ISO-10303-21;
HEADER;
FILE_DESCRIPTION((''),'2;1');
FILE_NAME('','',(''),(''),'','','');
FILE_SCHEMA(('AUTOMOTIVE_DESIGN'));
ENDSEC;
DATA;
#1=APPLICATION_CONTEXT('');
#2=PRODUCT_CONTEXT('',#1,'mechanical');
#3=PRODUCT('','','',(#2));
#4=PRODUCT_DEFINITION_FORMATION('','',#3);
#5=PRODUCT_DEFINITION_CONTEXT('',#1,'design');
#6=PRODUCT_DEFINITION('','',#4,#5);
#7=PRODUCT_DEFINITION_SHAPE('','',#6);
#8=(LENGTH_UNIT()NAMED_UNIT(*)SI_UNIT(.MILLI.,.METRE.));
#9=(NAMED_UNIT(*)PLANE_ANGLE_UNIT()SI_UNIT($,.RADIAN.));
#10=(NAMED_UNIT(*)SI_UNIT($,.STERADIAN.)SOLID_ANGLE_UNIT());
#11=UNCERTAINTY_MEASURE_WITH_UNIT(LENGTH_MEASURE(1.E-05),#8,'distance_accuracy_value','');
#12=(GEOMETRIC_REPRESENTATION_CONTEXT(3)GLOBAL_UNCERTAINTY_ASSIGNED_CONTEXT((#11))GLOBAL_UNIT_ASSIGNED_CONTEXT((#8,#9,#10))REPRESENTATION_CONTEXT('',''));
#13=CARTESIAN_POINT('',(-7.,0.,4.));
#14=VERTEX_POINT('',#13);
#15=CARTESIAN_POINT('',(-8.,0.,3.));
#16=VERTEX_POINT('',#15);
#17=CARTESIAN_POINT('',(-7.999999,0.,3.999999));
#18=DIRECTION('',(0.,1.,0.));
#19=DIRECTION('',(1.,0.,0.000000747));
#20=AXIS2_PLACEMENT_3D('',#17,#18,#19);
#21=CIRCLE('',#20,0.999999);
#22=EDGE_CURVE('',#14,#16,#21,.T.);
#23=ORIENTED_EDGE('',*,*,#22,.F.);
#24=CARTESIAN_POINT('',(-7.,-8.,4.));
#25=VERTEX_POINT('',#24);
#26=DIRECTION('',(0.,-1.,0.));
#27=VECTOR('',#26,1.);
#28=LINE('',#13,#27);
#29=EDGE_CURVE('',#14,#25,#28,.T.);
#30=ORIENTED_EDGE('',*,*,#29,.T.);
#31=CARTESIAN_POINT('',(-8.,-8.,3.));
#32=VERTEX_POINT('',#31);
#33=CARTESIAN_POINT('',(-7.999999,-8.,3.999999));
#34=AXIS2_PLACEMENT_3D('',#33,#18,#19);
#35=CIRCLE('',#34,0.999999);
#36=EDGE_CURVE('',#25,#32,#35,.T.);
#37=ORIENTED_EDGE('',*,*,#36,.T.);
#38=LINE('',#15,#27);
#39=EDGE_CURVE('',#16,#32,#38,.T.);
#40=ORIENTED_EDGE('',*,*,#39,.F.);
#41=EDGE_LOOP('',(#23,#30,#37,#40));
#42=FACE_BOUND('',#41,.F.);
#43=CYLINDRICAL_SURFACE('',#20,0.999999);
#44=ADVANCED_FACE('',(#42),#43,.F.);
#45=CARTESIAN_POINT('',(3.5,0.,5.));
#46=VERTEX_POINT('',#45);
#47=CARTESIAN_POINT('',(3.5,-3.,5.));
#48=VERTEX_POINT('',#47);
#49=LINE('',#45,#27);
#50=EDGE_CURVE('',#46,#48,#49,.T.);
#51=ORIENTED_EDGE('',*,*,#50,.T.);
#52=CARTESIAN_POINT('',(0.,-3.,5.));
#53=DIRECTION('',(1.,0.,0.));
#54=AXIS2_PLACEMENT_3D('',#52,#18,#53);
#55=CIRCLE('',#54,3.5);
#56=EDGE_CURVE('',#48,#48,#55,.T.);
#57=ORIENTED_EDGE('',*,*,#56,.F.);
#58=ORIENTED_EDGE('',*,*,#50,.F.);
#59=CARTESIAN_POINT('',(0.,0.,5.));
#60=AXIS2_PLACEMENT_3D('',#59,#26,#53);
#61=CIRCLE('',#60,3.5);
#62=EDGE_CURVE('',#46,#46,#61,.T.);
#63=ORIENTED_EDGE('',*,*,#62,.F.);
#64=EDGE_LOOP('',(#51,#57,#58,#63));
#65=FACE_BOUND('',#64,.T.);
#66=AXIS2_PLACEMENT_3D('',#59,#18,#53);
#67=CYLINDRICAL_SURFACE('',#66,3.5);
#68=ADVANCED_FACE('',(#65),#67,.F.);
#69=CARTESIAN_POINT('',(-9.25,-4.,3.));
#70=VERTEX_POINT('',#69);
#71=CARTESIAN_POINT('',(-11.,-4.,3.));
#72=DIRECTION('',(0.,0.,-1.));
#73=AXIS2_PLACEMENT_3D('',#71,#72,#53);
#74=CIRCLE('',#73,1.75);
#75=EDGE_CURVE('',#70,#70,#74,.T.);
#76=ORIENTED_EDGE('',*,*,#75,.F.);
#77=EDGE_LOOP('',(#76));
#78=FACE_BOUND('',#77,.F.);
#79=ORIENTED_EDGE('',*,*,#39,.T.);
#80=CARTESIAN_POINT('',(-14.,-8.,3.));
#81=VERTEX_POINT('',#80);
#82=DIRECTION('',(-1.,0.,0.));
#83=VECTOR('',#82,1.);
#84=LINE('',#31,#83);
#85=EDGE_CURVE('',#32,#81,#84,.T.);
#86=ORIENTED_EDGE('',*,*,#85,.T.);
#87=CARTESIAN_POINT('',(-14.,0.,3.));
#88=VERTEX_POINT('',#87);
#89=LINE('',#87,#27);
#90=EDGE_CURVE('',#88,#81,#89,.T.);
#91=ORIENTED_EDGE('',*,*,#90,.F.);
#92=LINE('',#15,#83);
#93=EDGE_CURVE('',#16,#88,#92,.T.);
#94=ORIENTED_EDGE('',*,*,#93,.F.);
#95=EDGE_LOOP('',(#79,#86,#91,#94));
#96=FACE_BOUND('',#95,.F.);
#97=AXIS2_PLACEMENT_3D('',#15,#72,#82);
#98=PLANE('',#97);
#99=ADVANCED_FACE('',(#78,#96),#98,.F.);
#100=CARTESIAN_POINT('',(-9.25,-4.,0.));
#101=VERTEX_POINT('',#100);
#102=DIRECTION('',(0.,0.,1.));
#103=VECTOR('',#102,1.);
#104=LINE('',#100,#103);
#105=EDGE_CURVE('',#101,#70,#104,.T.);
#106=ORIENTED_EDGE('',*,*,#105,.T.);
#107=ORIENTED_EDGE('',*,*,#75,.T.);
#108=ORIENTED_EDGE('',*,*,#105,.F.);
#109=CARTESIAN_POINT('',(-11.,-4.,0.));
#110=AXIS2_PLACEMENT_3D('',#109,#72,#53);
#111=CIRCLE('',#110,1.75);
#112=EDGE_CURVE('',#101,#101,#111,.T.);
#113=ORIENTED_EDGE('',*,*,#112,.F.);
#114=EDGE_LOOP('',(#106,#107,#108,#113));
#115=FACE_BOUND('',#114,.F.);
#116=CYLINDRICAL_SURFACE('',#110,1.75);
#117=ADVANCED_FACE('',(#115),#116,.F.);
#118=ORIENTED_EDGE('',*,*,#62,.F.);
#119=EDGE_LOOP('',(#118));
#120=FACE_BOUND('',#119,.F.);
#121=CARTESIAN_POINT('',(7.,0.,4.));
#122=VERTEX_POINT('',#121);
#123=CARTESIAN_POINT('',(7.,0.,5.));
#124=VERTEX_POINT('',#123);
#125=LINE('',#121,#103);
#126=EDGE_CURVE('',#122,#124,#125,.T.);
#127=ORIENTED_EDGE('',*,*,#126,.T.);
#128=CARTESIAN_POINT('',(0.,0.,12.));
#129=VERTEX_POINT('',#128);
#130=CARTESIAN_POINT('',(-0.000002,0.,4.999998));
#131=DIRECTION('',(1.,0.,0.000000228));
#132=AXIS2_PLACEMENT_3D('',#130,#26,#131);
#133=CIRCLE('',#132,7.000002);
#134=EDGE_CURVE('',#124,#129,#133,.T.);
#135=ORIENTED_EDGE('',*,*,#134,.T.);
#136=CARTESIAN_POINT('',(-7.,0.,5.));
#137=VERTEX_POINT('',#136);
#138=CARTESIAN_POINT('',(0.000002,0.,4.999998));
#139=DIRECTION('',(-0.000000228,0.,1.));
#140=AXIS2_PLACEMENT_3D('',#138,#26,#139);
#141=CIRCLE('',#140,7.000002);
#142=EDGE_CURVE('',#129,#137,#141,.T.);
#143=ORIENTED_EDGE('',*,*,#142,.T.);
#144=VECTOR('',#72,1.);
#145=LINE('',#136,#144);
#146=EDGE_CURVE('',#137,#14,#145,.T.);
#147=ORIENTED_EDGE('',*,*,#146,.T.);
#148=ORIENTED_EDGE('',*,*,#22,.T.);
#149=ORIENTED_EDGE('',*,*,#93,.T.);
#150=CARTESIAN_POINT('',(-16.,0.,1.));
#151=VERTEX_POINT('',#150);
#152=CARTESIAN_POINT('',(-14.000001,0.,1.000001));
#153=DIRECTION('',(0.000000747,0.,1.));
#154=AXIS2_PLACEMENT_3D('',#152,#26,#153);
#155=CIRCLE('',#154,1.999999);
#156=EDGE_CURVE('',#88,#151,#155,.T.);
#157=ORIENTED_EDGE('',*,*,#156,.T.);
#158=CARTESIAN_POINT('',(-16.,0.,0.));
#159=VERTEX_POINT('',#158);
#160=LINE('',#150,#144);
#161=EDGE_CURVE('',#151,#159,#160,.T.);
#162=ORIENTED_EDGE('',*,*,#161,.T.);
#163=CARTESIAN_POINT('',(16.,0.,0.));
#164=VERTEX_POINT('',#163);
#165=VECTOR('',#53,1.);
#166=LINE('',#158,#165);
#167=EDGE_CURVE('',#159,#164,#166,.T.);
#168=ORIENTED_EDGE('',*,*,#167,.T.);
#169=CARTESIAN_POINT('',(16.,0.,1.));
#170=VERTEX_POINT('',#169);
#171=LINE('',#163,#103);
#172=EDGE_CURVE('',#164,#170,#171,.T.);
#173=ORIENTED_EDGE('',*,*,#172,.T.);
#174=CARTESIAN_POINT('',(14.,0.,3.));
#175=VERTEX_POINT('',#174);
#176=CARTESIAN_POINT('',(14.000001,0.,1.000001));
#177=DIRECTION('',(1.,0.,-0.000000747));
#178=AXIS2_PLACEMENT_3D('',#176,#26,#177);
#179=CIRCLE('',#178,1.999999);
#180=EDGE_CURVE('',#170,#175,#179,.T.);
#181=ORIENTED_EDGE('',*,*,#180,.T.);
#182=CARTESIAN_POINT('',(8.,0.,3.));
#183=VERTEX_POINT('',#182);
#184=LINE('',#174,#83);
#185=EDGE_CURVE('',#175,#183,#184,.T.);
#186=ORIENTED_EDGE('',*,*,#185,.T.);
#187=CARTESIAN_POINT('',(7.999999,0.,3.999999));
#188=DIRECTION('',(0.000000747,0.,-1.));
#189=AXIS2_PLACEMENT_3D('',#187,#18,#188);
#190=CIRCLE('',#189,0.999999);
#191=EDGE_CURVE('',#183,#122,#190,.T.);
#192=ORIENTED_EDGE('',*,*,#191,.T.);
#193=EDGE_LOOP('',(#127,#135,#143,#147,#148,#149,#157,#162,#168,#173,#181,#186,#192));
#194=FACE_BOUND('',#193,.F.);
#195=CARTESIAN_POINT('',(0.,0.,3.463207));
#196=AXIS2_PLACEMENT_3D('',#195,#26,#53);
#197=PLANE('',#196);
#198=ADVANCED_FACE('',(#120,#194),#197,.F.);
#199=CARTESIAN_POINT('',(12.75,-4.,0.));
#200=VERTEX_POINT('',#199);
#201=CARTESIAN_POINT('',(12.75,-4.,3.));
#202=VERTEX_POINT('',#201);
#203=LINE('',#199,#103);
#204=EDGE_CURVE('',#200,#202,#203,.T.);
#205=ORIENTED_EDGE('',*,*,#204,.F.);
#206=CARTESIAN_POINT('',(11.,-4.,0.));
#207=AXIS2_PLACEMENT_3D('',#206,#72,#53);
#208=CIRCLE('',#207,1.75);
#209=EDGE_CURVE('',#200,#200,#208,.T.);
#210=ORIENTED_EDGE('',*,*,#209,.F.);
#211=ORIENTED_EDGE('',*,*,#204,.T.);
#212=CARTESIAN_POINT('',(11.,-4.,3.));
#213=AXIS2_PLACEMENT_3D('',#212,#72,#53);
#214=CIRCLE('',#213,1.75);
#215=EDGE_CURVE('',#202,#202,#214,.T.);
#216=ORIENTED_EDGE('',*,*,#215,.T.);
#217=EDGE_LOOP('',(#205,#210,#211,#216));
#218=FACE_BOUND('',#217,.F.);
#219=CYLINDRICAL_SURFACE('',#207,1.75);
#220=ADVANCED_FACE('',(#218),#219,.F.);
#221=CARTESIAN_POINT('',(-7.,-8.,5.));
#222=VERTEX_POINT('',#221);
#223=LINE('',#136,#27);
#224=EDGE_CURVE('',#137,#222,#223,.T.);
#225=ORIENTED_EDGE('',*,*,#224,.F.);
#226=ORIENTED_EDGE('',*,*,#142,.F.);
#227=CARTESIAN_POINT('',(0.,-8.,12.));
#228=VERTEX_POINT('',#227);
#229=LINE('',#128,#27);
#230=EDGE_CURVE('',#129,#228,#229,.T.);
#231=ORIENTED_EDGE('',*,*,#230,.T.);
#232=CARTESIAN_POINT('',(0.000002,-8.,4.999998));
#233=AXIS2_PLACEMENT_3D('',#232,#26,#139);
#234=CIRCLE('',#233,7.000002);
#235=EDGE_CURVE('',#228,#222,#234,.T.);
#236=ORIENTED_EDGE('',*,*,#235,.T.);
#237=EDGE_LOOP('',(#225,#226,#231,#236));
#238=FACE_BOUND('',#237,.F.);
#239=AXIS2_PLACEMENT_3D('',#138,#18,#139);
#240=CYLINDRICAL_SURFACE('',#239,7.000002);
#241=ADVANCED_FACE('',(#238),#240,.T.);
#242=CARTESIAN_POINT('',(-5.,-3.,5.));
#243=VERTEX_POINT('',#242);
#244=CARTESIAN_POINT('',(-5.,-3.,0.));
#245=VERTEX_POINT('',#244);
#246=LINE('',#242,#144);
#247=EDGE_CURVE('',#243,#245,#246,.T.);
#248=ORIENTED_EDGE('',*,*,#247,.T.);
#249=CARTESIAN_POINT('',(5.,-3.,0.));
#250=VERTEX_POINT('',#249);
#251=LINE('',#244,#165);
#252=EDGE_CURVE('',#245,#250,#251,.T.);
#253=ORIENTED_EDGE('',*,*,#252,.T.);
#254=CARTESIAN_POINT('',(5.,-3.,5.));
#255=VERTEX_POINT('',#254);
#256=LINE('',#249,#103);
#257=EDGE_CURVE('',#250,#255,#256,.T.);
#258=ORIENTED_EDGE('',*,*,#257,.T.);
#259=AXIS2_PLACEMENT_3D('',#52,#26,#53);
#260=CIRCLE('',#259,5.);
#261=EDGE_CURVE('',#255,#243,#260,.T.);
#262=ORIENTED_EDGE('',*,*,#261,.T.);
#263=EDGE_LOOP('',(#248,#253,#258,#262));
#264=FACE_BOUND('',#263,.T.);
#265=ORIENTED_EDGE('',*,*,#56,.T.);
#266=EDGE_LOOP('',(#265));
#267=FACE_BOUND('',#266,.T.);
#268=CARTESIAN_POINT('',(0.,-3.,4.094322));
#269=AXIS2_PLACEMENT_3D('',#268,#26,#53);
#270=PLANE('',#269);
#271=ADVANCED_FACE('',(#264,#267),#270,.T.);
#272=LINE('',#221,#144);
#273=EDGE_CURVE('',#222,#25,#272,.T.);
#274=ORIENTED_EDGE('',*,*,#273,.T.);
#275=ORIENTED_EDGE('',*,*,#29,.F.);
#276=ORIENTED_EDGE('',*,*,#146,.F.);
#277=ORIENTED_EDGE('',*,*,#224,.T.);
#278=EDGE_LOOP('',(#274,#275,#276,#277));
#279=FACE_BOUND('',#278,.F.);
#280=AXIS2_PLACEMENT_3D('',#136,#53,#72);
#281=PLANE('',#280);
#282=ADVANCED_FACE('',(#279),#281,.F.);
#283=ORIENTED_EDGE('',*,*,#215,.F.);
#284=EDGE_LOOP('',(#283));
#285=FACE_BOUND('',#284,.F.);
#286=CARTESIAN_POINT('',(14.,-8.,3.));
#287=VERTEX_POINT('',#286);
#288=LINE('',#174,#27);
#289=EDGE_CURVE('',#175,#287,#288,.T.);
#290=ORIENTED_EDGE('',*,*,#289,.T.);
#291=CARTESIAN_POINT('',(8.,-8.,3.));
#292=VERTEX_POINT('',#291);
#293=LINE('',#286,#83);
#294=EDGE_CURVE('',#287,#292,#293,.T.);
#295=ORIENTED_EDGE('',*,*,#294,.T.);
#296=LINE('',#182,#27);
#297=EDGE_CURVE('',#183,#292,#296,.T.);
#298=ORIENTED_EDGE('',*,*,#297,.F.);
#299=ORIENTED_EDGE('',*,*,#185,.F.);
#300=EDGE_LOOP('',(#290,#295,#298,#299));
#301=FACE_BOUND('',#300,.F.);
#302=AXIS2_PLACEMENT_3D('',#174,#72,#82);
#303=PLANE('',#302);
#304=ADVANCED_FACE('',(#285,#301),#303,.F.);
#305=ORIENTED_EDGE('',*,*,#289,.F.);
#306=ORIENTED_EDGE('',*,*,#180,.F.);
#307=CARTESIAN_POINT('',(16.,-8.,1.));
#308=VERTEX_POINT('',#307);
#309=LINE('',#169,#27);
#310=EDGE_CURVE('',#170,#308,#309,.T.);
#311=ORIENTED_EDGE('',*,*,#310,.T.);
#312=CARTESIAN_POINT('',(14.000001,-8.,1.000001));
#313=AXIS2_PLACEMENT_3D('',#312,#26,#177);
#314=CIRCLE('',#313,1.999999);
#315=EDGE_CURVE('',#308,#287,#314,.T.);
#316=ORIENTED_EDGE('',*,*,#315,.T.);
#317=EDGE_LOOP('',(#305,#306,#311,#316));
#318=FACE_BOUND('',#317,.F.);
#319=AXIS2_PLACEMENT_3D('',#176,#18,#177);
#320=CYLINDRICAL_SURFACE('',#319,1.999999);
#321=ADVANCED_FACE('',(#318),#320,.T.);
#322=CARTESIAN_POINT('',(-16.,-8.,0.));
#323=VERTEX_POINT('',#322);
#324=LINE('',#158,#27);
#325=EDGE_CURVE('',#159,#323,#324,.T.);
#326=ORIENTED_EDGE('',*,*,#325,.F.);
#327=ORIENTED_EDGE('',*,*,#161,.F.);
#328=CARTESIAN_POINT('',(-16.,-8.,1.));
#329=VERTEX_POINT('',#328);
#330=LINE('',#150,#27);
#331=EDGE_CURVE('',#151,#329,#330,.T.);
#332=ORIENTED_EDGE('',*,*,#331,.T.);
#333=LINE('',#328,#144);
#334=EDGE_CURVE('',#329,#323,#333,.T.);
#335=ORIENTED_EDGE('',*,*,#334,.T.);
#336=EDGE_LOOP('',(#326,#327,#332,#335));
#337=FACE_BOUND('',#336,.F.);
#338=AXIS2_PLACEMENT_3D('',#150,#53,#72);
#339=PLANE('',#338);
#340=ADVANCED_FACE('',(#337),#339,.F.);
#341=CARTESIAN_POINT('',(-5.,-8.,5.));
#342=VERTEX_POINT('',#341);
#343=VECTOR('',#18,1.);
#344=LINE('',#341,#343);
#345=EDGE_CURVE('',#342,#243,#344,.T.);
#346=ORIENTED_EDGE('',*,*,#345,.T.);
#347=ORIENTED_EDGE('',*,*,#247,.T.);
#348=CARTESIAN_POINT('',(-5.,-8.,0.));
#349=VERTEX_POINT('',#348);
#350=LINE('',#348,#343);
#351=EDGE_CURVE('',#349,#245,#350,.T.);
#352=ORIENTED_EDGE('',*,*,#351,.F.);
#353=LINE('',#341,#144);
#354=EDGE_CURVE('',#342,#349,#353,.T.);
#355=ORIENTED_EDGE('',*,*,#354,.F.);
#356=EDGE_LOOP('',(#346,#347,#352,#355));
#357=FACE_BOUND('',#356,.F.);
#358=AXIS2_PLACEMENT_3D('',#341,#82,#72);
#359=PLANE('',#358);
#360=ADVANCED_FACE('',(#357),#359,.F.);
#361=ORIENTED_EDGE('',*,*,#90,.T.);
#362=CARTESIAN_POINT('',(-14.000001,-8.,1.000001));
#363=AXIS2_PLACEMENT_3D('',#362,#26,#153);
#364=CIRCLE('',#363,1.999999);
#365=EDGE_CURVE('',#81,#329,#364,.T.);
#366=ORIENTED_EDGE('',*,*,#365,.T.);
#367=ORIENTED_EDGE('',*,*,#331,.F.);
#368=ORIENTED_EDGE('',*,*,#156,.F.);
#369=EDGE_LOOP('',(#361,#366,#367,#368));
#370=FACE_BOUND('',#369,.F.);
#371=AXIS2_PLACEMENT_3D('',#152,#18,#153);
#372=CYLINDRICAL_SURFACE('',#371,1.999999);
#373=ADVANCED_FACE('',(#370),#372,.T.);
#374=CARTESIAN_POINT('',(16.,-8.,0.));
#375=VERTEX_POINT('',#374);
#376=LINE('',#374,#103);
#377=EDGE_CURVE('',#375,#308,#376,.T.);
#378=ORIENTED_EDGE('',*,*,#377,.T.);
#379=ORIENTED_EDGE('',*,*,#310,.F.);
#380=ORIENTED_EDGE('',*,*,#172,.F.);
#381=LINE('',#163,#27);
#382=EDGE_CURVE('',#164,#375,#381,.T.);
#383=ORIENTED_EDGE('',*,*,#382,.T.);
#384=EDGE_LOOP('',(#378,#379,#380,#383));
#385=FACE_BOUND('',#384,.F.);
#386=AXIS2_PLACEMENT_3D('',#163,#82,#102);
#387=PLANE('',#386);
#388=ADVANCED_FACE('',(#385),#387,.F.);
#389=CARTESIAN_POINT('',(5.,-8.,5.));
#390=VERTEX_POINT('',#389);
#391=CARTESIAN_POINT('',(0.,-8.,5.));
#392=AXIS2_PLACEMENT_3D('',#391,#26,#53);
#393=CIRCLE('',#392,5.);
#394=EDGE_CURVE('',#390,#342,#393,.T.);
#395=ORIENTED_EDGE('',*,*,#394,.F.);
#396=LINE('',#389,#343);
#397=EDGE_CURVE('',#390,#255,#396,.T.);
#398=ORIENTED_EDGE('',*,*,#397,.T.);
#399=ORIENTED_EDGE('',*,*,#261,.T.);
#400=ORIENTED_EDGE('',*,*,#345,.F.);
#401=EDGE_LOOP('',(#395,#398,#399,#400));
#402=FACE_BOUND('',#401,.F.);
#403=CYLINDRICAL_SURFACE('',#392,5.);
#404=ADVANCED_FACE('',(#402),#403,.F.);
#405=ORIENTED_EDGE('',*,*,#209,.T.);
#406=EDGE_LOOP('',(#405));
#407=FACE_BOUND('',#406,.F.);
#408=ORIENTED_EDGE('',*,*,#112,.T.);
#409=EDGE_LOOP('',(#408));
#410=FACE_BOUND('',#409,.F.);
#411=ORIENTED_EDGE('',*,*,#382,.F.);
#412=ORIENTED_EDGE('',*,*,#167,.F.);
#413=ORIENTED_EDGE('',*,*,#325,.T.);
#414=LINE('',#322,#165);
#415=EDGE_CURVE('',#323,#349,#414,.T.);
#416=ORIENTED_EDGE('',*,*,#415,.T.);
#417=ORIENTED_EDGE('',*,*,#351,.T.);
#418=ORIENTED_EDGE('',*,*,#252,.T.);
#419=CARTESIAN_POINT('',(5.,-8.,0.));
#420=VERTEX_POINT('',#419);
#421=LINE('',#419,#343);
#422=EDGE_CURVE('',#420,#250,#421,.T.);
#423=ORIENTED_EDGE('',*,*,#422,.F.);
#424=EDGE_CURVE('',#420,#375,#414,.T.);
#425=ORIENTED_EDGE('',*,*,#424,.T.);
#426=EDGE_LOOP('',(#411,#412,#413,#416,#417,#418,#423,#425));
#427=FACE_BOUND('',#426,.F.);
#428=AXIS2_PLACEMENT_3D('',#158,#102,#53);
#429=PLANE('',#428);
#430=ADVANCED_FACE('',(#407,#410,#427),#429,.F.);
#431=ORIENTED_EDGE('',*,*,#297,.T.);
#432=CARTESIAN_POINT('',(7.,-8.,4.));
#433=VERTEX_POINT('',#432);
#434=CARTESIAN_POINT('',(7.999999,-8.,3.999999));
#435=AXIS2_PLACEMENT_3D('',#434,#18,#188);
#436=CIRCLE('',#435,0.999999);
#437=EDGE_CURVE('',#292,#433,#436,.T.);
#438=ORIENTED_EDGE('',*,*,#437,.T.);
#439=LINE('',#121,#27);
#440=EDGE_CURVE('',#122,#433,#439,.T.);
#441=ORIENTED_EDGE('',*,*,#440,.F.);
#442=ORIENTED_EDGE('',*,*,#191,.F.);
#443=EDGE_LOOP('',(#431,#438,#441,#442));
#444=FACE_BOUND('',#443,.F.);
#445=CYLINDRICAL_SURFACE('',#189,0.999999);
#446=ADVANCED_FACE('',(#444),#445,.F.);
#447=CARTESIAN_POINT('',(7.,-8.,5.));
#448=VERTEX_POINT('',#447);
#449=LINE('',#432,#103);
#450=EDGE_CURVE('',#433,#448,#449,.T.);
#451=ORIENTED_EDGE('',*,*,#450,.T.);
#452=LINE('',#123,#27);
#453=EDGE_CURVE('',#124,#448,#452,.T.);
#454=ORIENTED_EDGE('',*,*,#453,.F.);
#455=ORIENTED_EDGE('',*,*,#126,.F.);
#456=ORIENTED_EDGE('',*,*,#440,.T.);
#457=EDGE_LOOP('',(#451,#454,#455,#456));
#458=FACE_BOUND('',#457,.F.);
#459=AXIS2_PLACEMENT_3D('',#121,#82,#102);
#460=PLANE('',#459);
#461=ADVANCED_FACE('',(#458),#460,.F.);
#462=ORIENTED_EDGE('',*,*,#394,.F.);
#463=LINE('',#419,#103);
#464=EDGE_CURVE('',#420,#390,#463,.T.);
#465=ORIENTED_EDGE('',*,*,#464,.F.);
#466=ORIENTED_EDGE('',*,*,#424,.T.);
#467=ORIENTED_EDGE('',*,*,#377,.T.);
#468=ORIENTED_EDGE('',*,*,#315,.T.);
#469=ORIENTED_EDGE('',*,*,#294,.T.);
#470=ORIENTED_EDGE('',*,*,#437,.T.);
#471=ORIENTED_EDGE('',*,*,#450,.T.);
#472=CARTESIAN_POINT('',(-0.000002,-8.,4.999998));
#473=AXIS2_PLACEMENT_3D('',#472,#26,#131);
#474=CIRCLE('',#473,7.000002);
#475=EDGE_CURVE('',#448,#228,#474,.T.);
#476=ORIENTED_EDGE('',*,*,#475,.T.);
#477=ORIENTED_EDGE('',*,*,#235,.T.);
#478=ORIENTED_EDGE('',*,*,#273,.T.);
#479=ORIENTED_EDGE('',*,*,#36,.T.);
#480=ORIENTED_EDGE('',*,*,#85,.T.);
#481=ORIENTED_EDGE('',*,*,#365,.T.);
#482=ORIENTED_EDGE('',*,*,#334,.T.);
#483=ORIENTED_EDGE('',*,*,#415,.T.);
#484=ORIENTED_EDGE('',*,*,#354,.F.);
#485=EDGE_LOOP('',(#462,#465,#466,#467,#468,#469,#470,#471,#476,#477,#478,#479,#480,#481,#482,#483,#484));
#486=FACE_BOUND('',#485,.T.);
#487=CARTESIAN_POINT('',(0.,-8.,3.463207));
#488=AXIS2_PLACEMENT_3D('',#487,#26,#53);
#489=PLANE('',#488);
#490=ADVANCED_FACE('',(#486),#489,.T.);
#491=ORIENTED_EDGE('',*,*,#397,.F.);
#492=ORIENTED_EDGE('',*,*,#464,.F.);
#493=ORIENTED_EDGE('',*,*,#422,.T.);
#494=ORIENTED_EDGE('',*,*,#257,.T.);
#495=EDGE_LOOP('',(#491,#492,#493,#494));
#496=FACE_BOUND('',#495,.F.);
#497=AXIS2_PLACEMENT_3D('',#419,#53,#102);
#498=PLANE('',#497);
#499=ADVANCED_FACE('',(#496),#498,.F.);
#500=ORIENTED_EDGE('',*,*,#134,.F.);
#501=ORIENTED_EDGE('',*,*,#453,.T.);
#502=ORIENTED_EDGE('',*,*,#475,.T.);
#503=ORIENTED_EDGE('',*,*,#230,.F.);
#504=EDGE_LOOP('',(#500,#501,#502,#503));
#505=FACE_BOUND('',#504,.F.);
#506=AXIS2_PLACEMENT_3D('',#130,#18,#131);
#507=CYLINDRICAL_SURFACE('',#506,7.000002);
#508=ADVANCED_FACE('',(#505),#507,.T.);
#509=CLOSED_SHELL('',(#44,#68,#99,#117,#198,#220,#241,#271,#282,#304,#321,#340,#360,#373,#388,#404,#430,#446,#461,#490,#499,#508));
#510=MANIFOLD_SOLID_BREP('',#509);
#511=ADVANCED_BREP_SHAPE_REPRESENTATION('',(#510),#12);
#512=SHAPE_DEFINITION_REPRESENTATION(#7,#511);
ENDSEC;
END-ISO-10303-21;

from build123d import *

# Parameters (mm, degrees)
F0_R     = 3.5
F1_DEPTH = 8
F2_R     = 1.75
F3_DEPTH = 12.001
F5_DEPTH = 5


with BuildPart() as f1:
    # F0 (on Front) → F1 (new body)
    with BuildSketch(Plane.XZ):
        with BuildLine():
            Line((-16, 1), (-16, 0))
            Line((-16, 0), (16, 0))
            Line((16, 0), (16, 1))
            ThreePointArc((16, 1), (15.414214, 2.414214), (14, 3))
            Line((14, 3), (8, 3))
            ThreePointArc((8, 3), (7.292893, 3.292893), (7, 4))
            Line((7, 4), (7, 5))
            ThreePointArc((7, 5), (4.949747, 9.949747), (0, 12))
            ThreePointArc((0, 12), (-4.949747, 9.949747), (-7, 5))
            Line((-7, 5), (-7, 4))
            ThreePointArc((-7, 4), (-7.292893, 3.292893), (-8, 3))
            Line((-8, 3), (-14, 3))
            ThreePointArc((-14, 3), (-15.414214, 2.414214), (-16, 1))
        make_face()
        with Locations((0, 5)):
            Circle(F0_R, mode=Mode.SUBTRACT)
    extrude(amount=F1_DEPTH)

    # F2 (on face) → F3 (cut, through all)
    with BuildSketch(Plane(origin=(0, 0, 0), x_dir=(1, 0, 0), z_dir=(0, 0, -1))):
        with Locations((-11, 4)):
            Circle(F2_R)
        with Locations((11, 4)):
            Circle(F2_R)
    extrude(amount=-F3_DEPTH, mode=Mode.SUBTRACT)

    # F4 (on face) → F5 (cut)
    with BuildSketch(Plane.XZ.offset(8)):
        with BuildLine():
            Line((5, 0), (5, 5))
            ThreePointArc((5, 5), (0, 10), (-5, 5))
            Line((-5, 5), (-5, 0))
            Line((-5, 0), (5, 0))
        make_face()
    extrude(amount=-F5_DEPTH, mode=Mode.SUBTRACT)


solid = f1.part
